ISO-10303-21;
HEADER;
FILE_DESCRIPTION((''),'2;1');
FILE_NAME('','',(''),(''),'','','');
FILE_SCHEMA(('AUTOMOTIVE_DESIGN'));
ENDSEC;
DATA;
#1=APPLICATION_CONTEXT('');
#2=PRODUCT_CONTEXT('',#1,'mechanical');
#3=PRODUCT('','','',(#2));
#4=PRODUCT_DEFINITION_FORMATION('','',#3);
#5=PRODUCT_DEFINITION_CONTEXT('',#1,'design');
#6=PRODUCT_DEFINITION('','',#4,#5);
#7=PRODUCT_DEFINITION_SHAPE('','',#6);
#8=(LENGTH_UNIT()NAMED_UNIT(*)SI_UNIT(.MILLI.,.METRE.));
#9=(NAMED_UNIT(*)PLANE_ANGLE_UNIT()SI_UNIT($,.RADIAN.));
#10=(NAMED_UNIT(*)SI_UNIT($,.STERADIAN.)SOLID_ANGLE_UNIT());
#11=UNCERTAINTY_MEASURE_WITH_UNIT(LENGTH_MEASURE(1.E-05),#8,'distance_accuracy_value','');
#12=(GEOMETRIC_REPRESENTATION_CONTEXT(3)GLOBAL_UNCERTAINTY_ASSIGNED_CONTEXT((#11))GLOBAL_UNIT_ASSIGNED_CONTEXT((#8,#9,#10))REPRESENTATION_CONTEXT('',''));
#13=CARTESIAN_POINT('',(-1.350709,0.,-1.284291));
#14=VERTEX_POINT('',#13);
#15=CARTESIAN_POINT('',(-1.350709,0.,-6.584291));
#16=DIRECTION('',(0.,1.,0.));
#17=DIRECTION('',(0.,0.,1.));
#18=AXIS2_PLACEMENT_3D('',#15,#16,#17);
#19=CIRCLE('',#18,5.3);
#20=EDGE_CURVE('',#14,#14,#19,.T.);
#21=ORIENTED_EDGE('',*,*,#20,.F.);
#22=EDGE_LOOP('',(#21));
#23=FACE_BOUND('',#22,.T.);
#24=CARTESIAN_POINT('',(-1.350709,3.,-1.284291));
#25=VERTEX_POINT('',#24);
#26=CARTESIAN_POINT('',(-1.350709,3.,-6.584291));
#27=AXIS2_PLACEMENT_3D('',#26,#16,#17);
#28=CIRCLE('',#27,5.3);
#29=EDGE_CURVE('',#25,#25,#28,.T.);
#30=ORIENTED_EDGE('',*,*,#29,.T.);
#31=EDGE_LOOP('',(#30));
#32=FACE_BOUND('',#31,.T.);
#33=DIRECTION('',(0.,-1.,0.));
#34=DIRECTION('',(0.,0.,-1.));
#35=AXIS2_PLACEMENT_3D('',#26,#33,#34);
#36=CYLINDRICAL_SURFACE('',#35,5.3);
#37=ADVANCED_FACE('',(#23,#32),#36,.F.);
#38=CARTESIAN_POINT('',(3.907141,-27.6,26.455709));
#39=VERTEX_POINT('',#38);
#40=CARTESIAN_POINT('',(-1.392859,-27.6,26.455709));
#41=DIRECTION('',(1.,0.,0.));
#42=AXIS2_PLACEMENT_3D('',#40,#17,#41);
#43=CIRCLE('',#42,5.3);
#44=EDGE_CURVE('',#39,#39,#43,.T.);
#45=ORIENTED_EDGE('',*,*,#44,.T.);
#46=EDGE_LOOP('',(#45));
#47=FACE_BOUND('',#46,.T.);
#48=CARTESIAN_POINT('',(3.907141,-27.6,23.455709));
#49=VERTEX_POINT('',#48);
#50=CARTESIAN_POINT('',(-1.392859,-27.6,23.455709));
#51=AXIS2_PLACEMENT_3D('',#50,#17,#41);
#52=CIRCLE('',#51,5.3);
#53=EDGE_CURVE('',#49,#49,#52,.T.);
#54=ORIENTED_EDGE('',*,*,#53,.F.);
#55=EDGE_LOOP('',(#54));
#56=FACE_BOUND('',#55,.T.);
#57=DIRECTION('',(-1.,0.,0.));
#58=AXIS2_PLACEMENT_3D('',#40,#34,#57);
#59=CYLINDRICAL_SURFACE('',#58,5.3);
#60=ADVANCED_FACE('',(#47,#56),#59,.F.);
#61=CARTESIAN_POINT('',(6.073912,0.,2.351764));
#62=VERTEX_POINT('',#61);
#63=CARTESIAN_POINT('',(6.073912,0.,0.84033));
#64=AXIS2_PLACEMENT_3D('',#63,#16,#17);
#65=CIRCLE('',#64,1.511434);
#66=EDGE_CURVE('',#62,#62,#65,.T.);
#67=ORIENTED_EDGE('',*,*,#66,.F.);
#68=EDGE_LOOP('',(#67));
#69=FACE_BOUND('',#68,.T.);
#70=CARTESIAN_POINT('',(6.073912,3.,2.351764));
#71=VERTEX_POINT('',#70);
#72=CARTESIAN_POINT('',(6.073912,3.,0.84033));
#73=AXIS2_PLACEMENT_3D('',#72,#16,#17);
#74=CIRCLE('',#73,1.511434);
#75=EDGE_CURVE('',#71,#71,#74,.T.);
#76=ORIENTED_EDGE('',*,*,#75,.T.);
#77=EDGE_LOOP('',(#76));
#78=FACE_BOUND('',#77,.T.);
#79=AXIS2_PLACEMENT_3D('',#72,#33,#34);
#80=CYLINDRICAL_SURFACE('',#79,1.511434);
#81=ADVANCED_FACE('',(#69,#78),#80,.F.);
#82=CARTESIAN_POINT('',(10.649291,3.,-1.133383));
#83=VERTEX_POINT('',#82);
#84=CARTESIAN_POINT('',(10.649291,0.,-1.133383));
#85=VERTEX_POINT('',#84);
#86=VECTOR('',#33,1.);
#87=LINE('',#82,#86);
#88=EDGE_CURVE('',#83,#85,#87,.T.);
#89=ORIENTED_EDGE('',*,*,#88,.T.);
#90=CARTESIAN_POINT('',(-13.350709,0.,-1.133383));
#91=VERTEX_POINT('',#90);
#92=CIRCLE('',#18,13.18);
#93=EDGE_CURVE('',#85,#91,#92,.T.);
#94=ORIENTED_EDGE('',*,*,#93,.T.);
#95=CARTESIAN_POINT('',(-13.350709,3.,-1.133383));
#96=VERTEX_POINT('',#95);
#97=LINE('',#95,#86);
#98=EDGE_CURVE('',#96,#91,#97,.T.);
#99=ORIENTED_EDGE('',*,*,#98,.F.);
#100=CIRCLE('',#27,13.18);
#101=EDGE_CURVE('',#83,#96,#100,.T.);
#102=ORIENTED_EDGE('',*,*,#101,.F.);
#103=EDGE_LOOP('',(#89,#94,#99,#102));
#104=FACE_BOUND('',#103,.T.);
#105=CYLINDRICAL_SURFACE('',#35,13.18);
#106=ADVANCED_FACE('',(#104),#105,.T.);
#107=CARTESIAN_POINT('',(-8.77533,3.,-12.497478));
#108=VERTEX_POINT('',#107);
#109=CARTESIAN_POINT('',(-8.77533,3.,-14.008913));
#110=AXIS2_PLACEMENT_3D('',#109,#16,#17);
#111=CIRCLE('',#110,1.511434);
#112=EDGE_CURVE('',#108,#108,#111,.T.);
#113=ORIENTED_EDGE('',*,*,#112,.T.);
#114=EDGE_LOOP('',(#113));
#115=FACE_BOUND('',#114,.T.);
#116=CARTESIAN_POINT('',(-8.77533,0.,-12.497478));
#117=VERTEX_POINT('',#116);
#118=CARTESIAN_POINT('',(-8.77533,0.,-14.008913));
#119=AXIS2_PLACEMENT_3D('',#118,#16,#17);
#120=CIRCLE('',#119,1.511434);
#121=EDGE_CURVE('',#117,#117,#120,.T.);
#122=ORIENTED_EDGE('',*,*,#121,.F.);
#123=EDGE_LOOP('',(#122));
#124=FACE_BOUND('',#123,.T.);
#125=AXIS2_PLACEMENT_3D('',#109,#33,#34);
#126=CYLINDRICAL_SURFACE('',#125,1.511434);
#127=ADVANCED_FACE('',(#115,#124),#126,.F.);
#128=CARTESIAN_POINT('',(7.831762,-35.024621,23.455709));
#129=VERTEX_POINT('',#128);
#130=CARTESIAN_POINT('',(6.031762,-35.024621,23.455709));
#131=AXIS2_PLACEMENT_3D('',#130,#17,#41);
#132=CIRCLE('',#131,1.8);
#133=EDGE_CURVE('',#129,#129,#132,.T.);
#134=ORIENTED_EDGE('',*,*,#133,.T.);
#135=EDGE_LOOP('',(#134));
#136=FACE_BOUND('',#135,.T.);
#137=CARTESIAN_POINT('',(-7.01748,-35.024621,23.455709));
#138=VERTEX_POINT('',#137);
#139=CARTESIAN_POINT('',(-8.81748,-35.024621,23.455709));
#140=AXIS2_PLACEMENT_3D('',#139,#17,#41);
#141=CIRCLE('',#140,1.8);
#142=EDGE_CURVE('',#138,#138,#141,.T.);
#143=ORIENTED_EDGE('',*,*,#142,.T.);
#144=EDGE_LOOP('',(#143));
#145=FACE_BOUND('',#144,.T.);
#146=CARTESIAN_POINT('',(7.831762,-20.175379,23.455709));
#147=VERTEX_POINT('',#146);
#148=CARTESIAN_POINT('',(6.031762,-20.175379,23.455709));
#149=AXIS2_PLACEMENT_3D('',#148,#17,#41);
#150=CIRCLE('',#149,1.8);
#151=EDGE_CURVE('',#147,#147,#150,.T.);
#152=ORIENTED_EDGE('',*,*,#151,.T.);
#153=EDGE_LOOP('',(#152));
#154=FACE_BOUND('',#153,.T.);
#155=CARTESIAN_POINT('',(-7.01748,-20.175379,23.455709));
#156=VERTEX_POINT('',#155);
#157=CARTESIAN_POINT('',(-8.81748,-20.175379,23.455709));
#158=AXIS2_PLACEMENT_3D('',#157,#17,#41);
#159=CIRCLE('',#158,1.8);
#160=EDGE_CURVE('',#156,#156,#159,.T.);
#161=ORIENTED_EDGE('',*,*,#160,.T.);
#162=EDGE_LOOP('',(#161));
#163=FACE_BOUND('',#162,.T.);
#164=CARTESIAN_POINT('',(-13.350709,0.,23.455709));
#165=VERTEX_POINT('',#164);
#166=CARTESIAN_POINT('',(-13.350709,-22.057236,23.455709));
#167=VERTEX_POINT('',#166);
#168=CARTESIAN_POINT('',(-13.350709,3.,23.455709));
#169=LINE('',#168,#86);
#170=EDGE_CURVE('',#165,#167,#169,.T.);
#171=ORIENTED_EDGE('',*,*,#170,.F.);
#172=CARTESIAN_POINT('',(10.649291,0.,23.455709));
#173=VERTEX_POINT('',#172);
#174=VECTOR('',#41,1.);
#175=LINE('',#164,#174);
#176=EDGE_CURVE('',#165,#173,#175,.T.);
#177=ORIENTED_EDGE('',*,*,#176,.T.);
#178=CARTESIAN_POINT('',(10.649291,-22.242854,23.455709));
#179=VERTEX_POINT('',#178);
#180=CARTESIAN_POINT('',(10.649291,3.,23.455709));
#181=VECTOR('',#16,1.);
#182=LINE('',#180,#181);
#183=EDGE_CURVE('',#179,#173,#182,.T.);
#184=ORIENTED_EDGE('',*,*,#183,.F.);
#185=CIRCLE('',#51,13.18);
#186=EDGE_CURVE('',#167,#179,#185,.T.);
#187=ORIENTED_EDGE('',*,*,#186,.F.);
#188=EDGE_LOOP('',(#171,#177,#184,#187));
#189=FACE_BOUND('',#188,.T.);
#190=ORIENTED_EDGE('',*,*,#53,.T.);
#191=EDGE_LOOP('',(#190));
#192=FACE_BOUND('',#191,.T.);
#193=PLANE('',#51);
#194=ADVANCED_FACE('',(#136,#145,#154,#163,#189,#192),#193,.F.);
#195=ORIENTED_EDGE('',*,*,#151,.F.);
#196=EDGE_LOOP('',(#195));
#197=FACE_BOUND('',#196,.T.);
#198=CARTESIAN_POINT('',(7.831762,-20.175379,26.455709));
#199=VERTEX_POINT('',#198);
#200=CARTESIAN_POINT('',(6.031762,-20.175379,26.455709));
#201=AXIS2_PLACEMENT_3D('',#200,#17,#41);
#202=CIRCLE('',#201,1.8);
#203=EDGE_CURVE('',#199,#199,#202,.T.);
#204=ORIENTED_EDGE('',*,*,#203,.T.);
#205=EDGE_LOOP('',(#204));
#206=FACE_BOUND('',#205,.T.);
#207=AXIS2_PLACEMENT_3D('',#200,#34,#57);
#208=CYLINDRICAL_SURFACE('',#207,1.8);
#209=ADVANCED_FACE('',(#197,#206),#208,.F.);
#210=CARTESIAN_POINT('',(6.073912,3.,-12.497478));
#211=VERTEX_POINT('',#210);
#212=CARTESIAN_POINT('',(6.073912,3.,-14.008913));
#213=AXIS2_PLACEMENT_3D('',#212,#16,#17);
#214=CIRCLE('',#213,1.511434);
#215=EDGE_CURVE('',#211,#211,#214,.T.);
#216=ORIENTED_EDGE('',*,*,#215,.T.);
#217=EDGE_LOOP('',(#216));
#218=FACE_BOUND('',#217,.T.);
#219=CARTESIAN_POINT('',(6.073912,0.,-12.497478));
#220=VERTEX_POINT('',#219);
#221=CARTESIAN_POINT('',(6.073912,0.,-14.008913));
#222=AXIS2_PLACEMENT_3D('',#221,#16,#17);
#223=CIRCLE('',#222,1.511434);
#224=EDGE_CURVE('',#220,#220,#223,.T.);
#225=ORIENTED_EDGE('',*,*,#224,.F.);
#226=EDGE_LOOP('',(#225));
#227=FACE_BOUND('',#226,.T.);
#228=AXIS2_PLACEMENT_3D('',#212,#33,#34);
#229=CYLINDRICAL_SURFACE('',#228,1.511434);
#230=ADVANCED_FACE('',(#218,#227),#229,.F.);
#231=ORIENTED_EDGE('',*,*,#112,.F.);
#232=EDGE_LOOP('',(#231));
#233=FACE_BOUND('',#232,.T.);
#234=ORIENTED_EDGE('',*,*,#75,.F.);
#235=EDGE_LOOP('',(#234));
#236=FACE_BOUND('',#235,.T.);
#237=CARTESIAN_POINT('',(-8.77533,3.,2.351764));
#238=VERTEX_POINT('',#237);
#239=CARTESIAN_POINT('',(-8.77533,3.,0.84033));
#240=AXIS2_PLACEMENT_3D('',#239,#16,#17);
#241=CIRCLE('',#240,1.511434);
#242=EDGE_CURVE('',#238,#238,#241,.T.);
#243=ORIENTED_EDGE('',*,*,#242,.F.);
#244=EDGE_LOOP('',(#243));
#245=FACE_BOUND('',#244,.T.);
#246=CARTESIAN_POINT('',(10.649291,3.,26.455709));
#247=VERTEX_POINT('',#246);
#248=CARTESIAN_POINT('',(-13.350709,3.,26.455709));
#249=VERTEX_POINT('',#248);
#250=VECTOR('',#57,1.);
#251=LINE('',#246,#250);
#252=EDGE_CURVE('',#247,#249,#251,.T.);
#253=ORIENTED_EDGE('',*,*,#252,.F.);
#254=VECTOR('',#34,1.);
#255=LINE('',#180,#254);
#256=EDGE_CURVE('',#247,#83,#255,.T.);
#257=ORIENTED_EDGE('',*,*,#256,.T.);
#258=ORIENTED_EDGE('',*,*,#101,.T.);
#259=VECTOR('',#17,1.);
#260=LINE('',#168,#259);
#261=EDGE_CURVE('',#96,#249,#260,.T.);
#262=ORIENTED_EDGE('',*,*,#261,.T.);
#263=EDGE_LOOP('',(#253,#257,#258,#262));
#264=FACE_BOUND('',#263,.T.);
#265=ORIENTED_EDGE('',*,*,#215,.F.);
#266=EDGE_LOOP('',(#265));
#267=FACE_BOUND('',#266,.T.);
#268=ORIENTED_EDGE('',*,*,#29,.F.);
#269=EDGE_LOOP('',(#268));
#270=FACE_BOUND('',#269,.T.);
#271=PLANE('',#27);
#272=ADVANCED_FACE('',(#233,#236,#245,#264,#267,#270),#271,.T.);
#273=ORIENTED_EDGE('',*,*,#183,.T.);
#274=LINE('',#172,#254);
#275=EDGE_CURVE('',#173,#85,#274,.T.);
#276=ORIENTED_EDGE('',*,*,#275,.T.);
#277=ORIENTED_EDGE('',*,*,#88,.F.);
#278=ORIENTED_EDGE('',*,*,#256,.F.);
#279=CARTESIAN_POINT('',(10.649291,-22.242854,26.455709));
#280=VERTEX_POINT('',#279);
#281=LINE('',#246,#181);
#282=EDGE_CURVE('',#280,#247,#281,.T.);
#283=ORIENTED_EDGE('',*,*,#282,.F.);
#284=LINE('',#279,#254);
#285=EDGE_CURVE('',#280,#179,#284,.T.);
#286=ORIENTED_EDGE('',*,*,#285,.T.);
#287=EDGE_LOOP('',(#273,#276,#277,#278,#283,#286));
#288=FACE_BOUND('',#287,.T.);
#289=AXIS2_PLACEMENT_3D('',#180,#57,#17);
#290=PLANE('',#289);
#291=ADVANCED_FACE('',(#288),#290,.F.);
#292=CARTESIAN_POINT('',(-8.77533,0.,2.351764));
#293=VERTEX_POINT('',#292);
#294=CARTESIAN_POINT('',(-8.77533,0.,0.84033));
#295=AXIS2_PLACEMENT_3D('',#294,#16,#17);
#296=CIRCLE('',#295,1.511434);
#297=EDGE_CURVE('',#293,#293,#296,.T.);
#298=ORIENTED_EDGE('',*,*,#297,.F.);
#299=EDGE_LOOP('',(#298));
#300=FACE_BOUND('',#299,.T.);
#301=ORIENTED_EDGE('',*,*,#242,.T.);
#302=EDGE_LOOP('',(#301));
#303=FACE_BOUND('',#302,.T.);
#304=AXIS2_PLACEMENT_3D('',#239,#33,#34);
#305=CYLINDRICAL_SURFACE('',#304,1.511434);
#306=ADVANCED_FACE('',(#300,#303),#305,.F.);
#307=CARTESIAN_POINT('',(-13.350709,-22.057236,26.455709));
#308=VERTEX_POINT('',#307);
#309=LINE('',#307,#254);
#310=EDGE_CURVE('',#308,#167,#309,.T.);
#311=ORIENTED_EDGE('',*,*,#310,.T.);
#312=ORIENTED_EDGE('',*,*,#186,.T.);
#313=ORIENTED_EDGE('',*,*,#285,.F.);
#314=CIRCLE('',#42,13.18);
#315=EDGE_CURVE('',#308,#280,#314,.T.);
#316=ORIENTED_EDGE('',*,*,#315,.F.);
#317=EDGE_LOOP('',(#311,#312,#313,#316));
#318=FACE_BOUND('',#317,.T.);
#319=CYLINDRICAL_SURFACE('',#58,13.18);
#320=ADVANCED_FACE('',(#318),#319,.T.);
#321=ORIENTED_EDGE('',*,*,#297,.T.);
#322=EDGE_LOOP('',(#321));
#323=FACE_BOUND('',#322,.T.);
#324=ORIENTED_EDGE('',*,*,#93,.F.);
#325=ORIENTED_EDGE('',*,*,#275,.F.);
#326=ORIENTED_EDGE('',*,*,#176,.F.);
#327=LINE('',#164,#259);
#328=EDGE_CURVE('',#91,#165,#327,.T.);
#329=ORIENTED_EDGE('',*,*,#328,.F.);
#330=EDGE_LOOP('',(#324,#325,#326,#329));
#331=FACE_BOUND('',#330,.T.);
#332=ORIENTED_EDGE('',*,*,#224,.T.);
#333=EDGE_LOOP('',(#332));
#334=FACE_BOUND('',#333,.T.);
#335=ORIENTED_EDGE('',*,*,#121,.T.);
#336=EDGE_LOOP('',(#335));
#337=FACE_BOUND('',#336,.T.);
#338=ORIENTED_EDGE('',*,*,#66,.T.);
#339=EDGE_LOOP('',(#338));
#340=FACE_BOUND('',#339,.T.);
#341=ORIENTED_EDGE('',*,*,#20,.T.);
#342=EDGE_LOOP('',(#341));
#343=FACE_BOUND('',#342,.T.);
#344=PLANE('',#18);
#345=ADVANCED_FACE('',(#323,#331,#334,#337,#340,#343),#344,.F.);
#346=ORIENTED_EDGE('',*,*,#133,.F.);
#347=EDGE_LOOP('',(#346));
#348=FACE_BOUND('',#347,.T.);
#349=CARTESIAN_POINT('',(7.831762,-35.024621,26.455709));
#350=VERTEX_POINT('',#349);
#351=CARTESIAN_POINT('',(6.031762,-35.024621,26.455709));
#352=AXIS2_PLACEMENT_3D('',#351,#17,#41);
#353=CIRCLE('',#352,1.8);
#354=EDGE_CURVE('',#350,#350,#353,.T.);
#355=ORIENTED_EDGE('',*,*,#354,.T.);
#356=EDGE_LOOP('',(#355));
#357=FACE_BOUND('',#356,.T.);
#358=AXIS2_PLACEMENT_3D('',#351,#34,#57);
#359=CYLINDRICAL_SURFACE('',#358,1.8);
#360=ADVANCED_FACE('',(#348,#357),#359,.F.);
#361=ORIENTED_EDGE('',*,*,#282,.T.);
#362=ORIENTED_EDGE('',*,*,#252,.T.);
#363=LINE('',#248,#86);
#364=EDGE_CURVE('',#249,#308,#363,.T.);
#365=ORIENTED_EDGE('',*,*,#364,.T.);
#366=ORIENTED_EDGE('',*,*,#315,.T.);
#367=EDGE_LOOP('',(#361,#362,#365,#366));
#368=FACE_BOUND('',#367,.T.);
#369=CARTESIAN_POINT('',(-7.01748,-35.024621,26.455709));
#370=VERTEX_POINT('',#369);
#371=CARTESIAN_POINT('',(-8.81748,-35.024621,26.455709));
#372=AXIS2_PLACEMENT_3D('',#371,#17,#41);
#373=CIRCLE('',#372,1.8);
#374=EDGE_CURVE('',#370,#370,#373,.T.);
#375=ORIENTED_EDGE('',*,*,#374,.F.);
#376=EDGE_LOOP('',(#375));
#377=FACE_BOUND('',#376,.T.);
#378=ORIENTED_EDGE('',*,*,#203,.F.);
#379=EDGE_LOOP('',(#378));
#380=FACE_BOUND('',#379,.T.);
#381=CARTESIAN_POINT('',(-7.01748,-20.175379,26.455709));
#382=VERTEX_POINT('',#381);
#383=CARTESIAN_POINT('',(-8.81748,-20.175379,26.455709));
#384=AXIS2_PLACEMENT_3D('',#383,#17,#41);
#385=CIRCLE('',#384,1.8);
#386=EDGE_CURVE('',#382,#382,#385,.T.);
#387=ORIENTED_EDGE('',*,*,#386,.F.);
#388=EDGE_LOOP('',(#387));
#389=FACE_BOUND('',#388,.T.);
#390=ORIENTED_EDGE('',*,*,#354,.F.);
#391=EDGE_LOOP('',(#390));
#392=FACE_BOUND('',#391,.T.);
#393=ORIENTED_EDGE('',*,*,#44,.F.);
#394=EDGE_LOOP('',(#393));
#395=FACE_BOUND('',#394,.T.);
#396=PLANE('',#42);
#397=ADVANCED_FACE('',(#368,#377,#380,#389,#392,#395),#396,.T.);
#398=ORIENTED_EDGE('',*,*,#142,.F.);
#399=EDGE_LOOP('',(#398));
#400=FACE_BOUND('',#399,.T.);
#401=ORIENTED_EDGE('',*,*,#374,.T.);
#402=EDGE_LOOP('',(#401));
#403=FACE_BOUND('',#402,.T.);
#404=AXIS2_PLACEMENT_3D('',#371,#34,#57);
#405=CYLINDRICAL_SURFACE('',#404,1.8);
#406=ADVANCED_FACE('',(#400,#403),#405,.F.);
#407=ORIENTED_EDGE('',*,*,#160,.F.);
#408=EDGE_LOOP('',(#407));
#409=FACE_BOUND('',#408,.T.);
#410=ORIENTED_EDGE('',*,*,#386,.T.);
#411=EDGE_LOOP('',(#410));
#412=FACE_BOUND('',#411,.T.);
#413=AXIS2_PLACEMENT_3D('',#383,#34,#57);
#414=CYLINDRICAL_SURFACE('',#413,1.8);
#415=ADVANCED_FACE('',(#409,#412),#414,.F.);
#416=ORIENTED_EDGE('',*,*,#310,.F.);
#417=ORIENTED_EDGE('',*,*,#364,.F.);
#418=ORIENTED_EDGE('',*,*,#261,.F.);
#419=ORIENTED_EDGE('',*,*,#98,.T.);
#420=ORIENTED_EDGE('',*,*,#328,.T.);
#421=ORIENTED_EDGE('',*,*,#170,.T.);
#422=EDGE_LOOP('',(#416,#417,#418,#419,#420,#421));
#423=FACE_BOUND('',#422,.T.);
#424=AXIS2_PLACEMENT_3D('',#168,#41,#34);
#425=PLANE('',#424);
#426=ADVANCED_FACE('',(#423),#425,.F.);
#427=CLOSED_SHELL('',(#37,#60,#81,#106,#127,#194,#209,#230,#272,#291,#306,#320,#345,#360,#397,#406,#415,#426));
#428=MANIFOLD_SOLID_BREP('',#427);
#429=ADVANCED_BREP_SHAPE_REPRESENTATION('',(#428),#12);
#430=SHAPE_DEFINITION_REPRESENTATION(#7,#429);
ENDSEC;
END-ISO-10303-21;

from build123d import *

# Parameters (mm, degrees)
CROQUIS1_R              = 5.3
CROQUIS1_R_2            = 1.511434147
SALIENTE_EXTRUIR1_DEPTH = 3
CROQUIS3_R              = 1.8
CROQUIS3_R_2            = 5.3
SALIENTE_EXTRUIR2_DEPTH = 3


with BuildPart() as part:
    # Croquis1 → Saliente-Extruir1 (new body)
    with BuildSketch(Plane(origin=(0, 0, 0), x_dir=(1, 0, 0), z_dir=(0, 1, 0))):
        with BuildLine():
            Line((10.649291245, -23.45570863), (10.649291245, 1.133383189))
            ThreePointArc((10.649291245, 1.133383189), (-1.350708755, 19.76429137), (-13.350708755, 1.133383189))
            Line((-13.350708755, 1.133383189), (-13.350708755, -23.45570863))
            Line((-13.350708755, -23.45570863), (10.649291245, -23.45570863))
        make_face()
        with Locations((-1.350708755, 6.58429137)):
            Circle(CROQUIS1_R, mode=Mode.SUBTRACT)
        with Locations((6.073912448, 14.008912573)):
            Circle(CROQUIS1_R_2, mode=Mode.SUBTRACT)
        with Locations((6.073912448, -0.840329832)):
            Circle(CROQUIS1_R_2, mode=Mode.SUBTRACT)
        with Locations((-8.775329957, -0.840329832)):
            Circle(CROQUIS1_R_2, mode=Mode.SUBTRACT)
        with Locations((-8.775329957, 14.008912573)):
            Circle(CROQUIS1_R_2, mode=Mode.SUBTRACT)
    extrude(amount=SALIENTE_EXTRUIR1_DEPTH)

    # Croquis3 → Saliente-Extruir2 (add)
    with BuildSketch(Plane.XY.offset(23.45570863)):
        with BuildLine():
            Line((10.649291245, 3), (-13.350708755, 3))
            Line((-13.350708755, 3), (-13.350708755, -22.057235679))
            ThreePointArc((-13.350708755, -22.057235679), (-1.494791792, -40.779605827), (10.649291245, -22.242854272))
            Line((10.649291245, -22.242854272), (10.649291245, 3))
        make_face()
        with Locations((-8.817480498, -35.024621202)):
            Circle(CROQUIS3_R, mode=Mode.SUBTRACT)
        with Locations((-8.817480498, -20.175378798)):
            Circle(CROQUIS3_R, mode=Mode.SUBTRACT)
        with Locations((6.031761906, -20.175378798)):
            Circle(CROQUIS3_R, mode=Mode.SUBTRACT)
        with Locations((6.031761906, -35.024621202)):
            Circle(CROQUIS3_R, mode=Mode.SUBTRACT)
        with Locations((-1.392859296, -27.6)):
            Circle(CROQUIS3_R_2, mode=Mode.SUBTRACT)
    extrude(amount=SALIENTE_EXTRUIR2_DEPTH)


solid = part.part
